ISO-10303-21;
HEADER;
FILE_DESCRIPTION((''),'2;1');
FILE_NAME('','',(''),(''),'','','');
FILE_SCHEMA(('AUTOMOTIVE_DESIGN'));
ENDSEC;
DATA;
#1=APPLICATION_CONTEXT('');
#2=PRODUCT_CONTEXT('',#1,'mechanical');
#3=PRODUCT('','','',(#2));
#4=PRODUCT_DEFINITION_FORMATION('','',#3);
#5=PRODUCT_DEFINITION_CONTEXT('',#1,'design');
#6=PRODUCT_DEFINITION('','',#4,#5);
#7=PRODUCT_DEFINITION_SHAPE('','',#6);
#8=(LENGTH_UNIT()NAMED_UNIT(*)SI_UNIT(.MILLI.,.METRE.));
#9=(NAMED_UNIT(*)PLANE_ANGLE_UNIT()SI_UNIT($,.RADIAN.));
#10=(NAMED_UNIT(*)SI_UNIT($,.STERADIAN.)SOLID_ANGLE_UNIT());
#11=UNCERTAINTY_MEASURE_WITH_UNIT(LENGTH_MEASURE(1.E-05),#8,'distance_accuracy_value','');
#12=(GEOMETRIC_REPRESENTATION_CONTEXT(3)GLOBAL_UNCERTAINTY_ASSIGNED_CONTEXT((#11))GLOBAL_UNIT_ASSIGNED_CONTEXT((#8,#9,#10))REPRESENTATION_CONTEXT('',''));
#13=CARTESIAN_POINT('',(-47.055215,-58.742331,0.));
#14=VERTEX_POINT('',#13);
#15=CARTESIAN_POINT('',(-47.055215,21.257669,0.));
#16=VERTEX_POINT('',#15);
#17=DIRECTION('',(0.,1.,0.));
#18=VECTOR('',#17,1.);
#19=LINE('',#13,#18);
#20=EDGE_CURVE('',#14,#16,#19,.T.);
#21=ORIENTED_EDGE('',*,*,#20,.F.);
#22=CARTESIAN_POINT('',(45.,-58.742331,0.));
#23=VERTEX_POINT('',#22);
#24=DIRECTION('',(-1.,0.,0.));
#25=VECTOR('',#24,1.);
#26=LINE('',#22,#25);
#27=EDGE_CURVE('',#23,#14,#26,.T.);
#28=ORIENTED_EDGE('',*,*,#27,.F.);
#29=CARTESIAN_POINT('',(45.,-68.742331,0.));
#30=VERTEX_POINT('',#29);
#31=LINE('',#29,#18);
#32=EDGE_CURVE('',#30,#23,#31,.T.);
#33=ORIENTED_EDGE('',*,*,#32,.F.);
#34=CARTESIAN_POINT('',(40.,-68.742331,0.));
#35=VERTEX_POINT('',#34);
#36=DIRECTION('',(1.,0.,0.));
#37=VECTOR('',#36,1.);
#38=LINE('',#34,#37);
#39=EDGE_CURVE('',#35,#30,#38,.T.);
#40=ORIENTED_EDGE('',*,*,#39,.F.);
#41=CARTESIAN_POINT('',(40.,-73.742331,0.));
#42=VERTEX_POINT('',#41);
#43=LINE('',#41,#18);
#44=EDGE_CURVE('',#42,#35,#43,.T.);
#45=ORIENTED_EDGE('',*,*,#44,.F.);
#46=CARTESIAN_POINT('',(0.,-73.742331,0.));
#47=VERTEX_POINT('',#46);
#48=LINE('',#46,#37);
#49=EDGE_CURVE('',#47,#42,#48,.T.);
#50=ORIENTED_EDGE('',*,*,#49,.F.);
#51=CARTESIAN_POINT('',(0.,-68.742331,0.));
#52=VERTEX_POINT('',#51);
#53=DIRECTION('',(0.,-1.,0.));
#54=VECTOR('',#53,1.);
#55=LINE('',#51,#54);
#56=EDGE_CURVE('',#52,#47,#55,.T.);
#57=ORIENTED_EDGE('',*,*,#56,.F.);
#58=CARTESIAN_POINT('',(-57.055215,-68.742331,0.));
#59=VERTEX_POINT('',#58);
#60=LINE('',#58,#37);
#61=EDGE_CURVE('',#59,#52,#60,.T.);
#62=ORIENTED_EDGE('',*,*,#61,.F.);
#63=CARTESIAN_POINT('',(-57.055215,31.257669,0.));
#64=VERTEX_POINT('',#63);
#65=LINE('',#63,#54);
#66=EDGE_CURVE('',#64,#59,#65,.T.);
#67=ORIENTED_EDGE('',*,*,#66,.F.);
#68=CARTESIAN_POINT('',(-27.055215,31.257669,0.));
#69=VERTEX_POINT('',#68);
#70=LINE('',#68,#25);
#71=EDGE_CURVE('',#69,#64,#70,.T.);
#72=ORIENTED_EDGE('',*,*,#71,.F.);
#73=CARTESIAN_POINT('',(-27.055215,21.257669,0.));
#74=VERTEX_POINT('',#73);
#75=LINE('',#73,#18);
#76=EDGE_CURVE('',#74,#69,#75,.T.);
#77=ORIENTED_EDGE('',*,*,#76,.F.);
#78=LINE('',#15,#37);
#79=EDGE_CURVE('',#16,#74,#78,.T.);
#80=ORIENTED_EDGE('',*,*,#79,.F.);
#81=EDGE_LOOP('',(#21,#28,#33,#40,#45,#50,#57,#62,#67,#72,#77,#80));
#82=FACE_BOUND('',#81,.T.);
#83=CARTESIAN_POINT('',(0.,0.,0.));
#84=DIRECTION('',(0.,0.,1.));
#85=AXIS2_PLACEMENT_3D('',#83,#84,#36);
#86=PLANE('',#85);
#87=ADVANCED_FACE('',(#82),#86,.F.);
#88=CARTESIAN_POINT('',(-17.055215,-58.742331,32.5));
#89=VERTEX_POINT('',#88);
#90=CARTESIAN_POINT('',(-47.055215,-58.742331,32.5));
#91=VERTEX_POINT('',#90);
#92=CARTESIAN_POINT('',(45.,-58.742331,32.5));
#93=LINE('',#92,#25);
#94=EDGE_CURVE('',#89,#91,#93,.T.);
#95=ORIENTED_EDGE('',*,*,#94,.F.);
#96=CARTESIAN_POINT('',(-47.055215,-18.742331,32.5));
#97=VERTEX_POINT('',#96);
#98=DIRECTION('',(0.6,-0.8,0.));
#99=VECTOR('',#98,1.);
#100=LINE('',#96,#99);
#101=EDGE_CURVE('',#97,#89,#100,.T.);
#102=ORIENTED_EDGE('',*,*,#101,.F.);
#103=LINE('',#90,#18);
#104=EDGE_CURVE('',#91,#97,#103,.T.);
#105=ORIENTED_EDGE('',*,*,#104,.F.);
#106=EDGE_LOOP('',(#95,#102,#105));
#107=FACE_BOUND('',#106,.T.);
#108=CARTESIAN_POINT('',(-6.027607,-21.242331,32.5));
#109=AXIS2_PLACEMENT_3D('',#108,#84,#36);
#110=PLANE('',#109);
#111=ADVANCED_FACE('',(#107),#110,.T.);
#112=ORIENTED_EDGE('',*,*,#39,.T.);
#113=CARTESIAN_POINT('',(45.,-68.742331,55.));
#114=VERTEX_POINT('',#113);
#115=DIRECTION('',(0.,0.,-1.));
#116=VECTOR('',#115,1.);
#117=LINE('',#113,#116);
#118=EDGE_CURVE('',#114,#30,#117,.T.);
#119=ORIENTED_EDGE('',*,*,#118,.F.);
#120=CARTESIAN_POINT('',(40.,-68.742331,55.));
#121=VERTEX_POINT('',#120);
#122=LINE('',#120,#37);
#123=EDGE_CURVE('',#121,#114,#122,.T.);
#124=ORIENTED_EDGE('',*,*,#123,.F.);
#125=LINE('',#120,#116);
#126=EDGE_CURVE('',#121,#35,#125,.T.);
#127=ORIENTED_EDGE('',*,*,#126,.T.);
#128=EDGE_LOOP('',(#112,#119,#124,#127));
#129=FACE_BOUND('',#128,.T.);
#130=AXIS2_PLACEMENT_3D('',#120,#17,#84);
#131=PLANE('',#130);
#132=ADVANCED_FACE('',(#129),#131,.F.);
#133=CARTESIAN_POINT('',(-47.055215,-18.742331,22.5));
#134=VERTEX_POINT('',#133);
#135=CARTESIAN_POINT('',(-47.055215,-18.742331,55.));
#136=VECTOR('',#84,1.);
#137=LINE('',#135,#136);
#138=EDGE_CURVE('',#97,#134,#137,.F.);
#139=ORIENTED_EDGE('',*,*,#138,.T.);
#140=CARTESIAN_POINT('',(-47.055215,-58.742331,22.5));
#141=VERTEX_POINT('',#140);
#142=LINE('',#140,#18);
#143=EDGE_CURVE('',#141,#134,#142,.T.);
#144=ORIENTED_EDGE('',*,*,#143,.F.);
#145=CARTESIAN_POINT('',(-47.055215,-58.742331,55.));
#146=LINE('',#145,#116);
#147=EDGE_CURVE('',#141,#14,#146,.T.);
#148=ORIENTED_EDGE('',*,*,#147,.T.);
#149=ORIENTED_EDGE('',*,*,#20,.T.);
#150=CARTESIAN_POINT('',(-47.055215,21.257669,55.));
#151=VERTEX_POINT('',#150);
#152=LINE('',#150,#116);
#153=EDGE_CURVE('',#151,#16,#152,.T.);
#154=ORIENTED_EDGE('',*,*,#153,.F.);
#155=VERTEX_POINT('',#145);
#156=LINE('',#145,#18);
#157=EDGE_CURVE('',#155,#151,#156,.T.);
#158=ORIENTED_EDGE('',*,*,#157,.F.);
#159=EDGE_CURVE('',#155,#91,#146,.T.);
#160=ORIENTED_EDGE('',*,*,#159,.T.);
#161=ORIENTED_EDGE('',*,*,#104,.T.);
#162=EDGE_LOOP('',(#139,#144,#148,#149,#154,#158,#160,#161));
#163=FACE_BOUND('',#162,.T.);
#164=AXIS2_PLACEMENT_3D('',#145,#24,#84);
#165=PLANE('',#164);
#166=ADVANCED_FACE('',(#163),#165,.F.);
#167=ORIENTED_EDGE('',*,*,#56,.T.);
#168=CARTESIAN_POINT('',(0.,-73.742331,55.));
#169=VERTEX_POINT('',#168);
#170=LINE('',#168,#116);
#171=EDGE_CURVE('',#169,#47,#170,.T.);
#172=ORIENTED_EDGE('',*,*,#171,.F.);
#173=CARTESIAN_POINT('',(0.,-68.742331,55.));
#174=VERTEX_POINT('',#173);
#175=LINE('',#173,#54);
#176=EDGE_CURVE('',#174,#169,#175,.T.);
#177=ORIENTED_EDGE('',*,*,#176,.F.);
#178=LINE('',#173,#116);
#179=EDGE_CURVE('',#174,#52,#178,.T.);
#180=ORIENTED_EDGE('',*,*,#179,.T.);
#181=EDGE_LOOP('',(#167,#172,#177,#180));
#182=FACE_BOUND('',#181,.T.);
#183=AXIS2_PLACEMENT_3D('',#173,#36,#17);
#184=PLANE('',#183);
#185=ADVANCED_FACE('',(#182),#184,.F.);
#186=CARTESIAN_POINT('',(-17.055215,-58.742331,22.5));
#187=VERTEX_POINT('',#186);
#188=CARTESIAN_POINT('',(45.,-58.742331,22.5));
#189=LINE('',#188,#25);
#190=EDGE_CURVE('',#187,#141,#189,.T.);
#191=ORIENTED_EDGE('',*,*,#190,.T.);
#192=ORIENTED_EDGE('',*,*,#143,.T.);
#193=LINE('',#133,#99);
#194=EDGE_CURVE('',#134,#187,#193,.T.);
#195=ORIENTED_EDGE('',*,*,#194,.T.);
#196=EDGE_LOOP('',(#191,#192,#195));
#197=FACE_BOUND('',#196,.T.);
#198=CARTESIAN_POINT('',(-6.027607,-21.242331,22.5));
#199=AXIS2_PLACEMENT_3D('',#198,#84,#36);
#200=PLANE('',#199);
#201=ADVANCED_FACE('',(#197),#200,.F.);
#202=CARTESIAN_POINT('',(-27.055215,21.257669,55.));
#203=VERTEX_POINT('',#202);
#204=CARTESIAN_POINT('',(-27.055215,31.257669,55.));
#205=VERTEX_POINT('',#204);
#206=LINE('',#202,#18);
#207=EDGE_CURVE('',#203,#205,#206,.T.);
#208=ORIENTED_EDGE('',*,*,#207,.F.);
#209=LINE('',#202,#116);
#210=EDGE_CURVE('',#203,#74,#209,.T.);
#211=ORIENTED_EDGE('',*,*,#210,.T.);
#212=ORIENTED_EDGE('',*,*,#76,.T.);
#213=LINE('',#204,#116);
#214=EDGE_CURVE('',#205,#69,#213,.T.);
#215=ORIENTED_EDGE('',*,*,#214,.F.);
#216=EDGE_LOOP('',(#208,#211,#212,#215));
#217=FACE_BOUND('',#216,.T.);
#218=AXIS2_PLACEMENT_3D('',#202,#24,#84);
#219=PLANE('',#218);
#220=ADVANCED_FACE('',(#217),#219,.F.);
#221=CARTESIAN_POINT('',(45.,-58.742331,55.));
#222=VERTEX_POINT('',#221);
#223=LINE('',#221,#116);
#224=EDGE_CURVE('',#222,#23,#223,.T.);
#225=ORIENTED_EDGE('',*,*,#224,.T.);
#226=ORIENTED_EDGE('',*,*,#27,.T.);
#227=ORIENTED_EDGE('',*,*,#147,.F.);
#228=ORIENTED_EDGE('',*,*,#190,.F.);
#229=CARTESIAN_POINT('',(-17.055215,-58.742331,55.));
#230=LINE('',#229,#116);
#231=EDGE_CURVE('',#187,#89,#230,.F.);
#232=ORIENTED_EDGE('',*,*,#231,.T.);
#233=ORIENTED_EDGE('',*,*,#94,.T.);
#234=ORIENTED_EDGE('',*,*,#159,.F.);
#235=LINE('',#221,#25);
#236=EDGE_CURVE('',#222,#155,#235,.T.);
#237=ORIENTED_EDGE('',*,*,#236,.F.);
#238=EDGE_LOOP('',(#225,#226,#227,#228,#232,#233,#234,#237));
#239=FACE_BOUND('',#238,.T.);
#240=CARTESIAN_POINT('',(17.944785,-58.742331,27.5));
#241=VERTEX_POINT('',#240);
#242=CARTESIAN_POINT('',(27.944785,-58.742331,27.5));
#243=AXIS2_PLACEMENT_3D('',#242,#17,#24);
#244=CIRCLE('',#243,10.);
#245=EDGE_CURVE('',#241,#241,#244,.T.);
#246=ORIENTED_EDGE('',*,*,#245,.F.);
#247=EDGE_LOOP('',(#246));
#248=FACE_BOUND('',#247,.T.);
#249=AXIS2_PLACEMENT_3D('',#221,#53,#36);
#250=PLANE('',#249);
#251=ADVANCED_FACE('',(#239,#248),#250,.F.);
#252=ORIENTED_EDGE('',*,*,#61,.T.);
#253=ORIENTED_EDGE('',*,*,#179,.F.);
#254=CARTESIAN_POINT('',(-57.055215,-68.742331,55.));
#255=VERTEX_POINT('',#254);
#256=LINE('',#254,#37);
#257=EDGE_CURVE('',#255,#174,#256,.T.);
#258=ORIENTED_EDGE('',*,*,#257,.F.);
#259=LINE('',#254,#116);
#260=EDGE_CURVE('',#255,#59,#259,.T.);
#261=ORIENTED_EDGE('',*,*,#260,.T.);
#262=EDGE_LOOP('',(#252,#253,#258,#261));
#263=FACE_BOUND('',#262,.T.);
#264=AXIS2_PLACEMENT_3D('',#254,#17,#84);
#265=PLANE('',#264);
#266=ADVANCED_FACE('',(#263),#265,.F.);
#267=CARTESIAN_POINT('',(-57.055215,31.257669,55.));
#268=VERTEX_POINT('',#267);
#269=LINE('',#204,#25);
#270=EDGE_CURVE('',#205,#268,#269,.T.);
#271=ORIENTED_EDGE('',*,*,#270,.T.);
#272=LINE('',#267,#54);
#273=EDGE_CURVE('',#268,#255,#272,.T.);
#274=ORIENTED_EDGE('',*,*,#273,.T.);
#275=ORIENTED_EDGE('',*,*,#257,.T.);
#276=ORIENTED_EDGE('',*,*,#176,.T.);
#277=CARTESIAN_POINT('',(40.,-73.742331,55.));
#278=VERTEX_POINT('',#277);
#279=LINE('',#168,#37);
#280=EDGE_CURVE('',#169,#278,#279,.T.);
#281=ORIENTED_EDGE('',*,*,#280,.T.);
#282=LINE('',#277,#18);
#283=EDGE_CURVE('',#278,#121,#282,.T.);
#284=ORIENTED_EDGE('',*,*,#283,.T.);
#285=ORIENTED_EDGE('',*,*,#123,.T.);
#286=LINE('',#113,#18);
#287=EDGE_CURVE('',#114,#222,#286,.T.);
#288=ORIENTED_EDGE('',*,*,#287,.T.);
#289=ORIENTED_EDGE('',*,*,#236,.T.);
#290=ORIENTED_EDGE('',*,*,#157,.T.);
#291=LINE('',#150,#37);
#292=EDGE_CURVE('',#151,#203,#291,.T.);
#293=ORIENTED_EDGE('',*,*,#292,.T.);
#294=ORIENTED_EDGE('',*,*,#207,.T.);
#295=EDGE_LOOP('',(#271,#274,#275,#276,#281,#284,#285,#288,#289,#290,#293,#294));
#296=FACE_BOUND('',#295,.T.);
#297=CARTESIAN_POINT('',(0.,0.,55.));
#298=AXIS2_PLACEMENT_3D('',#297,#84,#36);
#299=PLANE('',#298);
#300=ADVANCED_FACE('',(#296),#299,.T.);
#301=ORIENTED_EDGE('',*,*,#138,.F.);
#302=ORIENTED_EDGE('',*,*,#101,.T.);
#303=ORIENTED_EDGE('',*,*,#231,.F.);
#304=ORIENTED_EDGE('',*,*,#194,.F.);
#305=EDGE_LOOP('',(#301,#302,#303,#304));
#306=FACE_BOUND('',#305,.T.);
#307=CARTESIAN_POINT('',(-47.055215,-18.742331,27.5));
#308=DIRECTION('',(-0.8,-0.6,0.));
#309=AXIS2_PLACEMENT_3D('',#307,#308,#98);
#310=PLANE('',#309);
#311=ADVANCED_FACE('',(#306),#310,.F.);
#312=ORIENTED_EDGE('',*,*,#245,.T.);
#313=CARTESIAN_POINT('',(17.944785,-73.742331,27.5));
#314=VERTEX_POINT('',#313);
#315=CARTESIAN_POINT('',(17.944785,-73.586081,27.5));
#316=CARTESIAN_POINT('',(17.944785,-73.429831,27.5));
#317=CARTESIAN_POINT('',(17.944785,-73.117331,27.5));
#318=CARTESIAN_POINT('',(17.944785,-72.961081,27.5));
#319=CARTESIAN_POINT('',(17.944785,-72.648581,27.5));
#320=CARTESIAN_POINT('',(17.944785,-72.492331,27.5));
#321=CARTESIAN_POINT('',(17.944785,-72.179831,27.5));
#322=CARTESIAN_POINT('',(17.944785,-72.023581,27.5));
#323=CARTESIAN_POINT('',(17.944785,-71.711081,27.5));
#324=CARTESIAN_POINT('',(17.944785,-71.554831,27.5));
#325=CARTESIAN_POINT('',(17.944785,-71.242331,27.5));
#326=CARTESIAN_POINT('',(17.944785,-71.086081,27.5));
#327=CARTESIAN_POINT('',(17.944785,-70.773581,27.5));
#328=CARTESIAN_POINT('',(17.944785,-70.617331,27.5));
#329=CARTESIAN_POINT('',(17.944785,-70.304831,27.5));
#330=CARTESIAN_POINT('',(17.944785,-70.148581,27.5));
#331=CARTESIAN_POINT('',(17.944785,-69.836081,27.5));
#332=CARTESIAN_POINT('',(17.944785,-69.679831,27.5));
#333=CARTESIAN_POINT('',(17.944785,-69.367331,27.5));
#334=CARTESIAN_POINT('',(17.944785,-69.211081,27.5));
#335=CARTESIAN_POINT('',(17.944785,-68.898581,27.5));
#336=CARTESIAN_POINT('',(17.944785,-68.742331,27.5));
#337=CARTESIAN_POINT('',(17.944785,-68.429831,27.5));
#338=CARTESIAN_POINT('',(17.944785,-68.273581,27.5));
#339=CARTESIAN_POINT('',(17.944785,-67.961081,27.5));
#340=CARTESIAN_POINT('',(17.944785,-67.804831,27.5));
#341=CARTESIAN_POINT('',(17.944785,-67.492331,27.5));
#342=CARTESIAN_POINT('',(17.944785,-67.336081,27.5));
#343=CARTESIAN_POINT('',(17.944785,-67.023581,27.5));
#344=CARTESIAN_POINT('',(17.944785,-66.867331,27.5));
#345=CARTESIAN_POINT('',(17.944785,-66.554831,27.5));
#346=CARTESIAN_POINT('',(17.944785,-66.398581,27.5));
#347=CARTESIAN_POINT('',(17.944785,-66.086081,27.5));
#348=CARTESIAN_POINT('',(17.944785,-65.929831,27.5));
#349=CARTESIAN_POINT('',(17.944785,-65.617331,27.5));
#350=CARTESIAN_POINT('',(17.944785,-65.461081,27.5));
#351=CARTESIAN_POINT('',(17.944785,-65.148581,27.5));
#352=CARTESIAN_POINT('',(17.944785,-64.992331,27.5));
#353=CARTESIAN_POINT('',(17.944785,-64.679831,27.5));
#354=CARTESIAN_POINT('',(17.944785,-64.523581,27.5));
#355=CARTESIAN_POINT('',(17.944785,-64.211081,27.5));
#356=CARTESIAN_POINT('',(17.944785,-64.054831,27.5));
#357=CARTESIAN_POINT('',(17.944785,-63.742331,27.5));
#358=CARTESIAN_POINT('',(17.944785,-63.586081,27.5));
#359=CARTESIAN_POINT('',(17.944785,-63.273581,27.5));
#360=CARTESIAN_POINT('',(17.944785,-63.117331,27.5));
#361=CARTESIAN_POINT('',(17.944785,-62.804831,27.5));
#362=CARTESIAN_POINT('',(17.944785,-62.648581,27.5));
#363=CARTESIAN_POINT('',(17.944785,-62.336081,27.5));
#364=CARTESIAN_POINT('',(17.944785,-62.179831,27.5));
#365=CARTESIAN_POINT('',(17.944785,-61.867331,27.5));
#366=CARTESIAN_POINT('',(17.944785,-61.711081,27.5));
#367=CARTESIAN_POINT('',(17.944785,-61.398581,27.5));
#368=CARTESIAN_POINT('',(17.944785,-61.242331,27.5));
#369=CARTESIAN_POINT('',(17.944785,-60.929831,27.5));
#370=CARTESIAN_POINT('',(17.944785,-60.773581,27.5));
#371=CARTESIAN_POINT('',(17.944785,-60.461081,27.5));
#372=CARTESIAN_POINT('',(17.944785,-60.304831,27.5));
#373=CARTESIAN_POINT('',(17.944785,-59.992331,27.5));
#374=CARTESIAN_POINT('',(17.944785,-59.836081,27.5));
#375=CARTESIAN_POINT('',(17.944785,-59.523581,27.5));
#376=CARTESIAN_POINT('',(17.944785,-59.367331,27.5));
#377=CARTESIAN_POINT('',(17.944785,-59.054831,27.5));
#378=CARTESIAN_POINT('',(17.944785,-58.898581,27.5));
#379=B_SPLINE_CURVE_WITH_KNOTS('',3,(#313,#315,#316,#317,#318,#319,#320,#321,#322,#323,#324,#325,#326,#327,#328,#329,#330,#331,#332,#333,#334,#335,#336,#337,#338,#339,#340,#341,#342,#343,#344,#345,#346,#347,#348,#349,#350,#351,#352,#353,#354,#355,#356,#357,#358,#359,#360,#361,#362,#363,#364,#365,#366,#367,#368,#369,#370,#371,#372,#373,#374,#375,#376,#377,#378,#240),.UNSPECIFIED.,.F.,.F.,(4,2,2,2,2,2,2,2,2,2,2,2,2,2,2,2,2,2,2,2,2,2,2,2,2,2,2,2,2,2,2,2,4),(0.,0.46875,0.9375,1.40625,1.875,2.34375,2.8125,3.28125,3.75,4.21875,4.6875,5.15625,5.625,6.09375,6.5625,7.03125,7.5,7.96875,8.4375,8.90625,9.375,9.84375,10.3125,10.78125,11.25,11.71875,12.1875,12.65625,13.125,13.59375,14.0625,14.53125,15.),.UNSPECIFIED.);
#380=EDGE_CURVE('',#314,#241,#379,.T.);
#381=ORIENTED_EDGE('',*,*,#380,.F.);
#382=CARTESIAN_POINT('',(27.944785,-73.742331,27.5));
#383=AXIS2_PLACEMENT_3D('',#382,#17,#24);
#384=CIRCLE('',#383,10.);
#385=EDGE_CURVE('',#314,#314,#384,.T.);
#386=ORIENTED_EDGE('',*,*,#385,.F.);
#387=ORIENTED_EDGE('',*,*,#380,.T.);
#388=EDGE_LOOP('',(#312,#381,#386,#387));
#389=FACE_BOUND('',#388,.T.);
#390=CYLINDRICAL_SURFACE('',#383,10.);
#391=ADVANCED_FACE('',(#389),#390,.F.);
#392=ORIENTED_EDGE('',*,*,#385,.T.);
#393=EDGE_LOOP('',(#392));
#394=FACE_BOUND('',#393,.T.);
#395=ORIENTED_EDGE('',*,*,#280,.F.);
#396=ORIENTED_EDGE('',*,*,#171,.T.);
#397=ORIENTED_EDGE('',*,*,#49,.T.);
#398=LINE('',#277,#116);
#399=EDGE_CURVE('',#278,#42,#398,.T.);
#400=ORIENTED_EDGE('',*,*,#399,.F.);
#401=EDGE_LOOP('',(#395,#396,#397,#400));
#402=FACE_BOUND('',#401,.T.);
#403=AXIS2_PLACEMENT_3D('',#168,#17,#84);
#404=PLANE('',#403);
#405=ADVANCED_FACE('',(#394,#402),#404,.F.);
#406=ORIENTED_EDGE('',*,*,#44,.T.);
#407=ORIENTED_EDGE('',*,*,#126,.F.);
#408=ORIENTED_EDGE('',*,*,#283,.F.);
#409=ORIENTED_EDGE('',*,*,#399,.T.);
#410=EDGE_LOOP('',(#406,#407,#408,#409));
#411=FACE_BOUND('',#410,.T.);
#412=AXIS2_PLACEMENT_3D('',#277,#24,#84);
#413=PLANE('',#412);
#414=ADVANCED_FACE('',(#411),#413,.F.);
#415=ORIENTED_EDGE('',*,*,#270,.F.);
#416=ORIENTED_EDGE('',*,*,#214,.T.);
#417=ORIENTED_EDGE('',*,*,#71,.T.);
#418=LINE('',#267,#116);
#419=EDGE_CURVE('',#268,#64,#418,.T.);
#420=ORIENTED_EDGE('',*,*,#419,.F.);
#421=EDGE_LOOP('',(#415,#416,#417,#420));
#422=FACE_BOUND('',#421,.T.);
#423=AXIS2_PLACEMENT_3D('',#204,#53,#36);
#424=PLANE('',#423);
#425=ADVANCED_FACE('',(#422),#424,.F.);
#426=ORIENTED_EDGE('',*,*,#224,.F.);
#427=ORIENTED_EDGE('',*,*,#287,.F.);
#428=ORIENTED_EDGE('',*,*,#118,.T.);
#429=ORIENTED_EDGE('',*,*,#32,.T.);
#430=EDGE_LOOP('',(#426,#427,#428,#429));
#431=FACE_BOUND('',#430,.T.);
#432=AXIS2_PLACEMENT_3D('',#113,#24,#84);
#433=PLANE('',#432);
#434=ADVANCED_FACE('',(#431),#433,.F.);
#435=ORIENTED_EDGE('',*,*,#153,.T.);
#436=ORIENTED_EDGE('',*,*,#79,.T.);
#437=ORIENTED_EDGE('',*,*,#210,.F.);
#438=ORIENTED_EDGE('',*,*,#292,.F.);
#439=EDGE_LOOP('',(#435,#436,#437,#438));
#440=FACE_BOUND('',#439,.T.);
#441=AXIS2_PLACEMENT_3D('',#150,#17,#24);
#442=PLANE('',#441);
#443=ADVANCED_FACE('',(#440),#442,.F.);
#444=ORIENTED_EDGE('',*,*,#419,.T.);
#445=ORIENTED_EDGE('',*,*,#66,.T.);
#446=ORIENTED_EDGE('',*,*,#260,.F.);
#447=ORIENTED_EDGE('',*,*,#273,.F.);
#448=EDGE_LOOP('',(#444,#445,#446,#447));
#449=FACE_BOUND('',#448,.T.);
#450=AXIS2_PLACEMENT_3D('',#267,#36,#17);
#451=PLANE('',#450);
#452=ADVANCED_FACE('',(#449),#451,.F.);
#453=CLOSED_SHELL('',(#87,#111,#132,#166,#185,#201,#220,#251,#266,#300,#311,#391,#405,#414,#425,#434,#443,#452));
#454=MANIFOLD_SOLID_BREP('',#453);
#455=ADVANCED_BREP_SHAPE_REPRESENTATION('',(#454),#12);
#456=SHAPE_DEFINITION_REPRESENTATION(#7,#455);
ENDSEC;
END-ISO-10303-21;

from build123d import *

# Parameters (mm, degrees)
BOSS_EXTRUDE1_DEPTH = 55
RIB1_REACH          = 99.208
SKETCH2_WALL_W      = 246.416860904
SKETCH2_WALL_H      = 10
SKETCH3_R           = 10
CUT_EXTRUDE1_DEPTH  = 120.917878263


with BuildPart() as part:
    # Sketch1 → Boss-Extrude1 (new body)
    with BuildSketch(Plane.XY):
        Polygon((-27.055214724, 21.257668712), (-27.055214724, 31.257668712), (-57.055214724, 31.257668712), (-57.055214724, -68.742331288), (0, -68.742331288), (0, -73.742331288), (40, -73.742331288), (40, -68.742331288), (45, -68.742331288), (45, -58.742331288), (-47.055214724, -58.742331288), (-47.055214724, 21.257668712), align=None)
    extrude(amount=BOSS_EXTRUDE1_DEPTH)

    # Sketch2 wall → Rib1 (add, up to next)
    with BuildSketch(Plane(origin=(-32.055214724, -38.742331288, 27.5), x_dir=(0.6, -0.8, 0), z_dir=(0.8, 0.6, 0)), mode=Mode.PRIVATE) as rib1_sk1:
        Rectangle(SKETCH2_WALL_W, SKETCH2_WALL_H)
    rib1_tool1 = extrude(rib1_sk1.sketch, amount=-RIB1_REACH, mode=Mode.PRIVATE) - part.part
    add(rib1_tool1.solids().sort_by_distance((-32.055214724, -38.742331288, 27.5))[0])

    # Sketch3 → Cut-Extrude1 (cut, through all)
    with BuildSketch(Plane(origin=(0, -58.742331288, 0), x_dir=(1, 0, 0), z_dir=(0, 1, 0))):
        with Locations(Location((27.944785276, -27.5, 0), (0, 0, 180))):
            Circle(SKETCH3_R)
    extrude(amount=-CUT_EXTRUDE1_DEPTH, mode=Mode.SUBTRACT)


solid = part.part
